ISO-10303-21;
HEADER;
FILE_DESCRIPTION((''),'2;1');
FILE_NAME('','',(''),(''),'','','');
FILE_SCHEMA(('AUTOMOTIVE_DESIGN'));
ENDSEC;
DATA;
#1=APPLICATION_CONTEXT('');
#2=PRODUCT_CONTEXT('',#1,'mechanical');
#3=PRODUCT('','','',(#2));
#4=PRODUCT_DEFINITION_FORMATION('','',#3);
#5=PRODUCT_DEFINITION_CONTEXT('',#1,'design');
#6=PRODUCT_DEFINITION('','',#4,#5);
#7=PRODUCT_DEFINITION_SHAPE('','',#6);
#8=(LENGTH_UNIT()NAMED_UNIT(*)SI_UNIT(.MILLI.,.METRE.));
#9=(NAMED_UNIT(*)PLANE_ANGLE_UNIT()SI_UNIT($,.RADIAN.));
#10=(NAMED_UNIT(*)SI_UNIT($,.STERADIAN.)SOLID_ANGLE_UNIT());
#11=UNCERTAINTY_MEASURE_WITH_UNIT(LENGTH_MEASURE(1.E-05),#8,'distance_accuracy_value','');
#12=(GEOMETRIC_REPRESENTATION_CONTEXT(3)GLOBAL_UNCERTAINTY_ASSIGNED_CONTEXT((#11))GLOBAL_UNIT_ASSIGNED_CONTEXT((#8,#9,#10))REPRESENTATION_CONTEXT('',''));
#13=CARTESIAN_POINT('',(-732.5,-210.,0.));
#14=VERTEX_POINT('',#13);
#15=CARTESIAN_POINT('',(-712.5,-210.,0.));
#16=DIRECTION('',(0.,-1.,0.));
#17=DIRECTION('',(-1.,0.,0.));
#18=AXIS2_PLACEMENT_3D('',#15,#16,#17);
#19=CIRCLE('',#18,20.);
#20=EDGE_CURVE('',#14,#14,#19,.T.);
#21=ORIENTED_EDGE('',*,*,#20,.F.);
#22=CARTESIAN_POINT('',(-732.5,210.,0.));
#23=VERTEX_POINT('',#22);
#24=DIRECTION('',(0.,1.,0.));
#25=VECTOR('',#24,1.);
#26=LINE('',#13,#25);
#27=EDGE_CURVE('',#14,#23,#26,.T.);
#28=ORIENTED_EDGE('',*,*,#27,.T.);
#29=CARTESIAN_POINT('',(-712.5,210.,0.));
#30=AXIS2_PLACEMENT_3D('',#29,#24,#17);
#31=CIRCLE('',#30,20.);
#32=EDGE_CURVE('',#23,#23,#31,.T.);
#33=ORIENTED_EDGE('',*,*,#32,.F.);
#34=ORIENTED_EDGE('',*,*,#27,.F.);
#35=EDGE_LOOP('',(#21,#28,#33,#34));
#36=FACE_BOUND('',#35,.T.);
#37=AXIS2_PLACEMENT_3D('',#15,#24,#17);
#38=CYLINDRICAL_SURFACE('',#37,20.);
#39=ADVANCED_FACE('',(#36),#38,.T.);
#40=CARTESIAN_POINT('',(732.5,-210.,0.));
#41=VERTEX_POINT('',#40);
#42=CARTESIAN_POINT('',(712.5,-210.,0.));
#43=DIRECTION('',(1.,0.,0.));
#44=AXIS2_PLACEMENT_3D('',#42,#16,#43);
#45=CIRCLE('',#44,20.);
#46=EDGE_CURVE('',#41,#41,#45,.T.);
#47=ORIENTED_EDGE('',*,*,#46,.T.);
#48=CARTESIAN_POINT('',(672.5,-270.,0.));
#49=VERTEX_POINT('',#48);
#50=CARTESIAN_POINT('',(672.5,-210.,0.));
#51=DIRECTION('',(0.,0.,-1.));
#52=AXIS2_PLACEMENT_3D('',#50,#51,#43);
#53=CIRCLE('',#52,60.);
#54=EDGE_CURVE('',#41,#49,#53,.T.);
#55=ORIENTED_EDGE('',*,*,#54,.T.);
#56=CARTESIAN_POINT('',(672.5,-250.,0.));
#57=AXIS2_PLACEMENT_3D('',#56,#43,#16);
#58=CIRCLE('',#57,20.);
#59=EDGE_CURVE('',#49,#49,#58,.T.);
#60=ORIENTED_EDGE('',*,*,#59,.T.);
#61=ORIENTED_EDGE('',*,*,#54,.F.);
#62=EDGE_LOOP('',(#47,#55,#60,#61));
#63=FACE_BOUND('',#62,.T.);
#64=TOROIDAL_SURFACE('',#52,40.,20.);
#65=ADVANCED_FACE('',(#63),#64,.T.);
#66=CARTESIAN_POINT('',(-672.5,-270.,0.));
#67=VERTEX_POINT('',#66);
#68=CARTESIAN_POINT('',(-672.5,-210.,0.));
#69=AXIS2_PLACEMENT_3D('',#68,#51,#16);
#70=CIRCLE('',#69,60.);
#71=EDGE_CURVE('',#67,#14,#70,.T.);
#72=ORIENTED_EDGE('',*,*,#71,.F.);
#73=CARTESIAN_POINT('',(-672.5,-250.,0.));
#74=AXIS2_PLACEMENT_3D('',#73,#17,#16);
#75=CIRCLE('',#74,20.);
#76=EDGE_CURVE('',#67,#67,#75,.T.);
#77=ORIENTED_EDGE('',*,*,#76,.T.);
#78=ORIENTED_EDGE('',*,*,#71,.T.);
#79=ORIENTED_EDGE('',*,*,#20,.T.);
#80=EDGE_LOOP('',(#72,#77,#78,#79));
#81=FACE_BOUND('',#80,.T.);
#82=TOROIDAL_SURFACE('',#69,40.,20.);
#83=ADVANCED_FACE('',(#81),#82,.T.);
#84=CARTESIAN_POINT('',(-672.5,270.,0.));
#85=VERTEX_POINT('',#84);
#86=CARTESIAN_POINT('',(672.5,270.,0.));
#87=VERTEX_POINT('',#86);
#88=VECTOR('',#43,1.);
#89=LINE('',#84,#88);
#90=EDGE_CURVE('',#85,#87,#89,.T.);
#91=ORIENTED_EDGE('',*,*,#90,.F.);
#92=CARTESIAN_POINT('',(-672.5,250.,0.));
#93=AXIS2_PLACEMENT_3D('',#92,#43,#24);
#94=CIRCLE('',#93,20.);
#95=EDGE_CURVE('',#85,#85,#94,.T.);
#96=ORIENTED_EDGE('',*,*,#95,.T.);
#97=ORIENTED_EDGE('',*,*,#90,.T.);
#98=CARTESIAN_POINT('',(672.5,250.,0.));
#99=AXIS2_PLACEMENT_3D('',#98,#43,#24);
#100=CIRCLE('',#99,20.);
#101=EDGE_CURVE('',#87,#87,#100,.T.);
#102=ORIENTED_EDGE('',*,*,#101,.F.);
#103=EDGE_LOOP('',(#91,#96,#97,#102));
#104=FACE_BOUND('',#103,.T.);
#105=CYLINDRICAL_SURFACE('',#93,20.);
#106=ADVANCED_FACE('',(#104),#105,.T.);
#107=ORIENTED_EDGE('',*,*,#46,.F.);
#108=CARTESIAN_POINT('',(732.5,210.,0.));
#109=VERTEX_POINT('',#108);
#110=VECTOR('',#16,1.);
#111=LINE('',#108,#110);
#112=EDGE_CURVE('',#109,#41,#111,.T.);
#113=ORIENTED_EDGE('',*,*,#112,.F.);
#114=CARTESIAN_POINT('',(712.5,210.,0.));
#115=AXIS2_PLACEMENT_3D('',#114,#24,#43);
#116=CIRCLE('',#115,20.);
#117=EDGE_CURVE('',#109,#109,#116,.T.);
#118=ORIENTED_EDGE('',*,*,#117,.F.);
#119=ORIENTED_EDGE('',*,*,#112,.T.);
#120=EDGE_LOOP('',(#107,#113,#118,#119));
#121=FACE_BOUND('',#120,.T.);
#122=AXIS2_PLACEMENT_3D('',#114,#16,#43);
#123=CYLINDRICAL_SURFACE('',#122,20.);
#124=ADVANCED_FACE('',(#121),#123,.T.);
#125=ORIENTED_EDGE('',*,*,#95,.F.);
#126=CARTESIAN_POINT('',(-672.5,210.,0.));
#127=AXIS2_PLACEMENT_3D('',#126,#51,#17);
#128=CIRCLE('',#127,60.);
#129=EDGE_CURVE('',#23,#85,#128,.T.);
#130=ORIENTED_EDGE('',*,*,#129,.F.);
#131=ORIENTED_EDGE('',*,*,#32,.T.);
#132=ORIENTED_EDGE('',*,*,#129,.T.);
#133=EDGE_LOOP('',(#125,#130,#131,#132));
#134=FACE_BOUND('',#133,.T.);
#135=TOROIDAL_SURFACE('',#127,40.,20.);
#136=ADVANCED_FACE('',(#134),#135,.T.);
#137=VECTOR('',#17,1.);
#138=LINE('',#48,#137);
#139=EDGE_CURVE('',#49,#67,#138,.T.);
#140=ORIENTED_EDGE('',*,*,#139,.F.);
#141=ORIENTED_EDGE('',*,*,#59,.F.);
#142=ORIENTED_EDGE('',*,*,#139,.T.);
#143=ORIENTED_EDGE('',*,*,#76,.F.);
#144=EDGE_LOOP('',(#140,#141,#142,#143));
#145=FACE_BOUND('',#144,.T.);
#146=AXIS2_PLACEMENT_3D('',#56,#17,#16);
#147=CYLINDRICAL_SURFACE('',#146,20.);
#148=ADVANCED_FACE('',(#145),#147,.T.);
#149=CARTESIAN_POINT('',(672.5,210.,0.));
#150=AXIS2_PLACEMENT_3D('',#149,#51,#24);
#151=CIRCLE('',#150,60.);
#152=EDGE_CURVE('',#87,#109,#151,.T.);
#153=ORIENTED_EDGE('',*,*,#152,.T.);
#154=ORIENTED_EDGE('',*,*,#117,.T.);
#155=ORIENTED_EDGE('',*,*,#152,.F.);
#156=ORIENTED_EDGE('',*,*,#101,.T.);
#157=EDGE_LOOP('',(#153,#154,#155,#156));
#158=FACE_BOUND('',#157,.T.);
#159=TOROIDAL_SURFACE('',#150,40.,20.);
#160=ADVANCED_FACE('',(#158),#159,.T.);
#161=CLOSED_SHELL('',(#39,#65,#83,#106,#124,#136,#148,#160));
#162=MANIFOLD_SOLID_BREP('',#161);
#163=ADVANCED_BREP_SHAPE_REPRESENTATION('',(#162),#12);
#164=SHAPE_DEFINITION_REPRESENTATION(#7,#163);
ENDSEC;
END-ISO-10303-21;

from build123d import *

# Parameters (mm, degrees)
F2_R = 20


with BuildPart() as f3:
    # F3: sweep along a path in F0
    with BuildLine(Plane.XY) as f3_path:
        Line((-672.5, 250), (672.5, 250))
        ThreePointArc((672.5, 250), (700.7842712475, 238.2842712475), (712.5, 210))
        Line((712.5, 210), (712.5, -210))
        ThreePointArc((712.5, -210), (700.7842712475, -238.2842712475), (672.5, -250))
        Line((672.5, -250), (-672.5, -250))
        ThreePointArc((-672.5, -250), (-700.7842712475, -238.2842712475), (-712.5, -210))
        Line((-712.5, -210), (-712.5, 210))
        ThreePointArc((-712.5, 210), (-700.7842712475, 238.2842712475), (-672.5, 250))
    # F2 (on offset) → F3 (sweep)
    with BuildSketch(Plane.YZ.offset(672.5)):
        with Locations((250, 0)):
            Circle(F2_R)
    sweep(path=f3_path.line)


solid = f3.part
